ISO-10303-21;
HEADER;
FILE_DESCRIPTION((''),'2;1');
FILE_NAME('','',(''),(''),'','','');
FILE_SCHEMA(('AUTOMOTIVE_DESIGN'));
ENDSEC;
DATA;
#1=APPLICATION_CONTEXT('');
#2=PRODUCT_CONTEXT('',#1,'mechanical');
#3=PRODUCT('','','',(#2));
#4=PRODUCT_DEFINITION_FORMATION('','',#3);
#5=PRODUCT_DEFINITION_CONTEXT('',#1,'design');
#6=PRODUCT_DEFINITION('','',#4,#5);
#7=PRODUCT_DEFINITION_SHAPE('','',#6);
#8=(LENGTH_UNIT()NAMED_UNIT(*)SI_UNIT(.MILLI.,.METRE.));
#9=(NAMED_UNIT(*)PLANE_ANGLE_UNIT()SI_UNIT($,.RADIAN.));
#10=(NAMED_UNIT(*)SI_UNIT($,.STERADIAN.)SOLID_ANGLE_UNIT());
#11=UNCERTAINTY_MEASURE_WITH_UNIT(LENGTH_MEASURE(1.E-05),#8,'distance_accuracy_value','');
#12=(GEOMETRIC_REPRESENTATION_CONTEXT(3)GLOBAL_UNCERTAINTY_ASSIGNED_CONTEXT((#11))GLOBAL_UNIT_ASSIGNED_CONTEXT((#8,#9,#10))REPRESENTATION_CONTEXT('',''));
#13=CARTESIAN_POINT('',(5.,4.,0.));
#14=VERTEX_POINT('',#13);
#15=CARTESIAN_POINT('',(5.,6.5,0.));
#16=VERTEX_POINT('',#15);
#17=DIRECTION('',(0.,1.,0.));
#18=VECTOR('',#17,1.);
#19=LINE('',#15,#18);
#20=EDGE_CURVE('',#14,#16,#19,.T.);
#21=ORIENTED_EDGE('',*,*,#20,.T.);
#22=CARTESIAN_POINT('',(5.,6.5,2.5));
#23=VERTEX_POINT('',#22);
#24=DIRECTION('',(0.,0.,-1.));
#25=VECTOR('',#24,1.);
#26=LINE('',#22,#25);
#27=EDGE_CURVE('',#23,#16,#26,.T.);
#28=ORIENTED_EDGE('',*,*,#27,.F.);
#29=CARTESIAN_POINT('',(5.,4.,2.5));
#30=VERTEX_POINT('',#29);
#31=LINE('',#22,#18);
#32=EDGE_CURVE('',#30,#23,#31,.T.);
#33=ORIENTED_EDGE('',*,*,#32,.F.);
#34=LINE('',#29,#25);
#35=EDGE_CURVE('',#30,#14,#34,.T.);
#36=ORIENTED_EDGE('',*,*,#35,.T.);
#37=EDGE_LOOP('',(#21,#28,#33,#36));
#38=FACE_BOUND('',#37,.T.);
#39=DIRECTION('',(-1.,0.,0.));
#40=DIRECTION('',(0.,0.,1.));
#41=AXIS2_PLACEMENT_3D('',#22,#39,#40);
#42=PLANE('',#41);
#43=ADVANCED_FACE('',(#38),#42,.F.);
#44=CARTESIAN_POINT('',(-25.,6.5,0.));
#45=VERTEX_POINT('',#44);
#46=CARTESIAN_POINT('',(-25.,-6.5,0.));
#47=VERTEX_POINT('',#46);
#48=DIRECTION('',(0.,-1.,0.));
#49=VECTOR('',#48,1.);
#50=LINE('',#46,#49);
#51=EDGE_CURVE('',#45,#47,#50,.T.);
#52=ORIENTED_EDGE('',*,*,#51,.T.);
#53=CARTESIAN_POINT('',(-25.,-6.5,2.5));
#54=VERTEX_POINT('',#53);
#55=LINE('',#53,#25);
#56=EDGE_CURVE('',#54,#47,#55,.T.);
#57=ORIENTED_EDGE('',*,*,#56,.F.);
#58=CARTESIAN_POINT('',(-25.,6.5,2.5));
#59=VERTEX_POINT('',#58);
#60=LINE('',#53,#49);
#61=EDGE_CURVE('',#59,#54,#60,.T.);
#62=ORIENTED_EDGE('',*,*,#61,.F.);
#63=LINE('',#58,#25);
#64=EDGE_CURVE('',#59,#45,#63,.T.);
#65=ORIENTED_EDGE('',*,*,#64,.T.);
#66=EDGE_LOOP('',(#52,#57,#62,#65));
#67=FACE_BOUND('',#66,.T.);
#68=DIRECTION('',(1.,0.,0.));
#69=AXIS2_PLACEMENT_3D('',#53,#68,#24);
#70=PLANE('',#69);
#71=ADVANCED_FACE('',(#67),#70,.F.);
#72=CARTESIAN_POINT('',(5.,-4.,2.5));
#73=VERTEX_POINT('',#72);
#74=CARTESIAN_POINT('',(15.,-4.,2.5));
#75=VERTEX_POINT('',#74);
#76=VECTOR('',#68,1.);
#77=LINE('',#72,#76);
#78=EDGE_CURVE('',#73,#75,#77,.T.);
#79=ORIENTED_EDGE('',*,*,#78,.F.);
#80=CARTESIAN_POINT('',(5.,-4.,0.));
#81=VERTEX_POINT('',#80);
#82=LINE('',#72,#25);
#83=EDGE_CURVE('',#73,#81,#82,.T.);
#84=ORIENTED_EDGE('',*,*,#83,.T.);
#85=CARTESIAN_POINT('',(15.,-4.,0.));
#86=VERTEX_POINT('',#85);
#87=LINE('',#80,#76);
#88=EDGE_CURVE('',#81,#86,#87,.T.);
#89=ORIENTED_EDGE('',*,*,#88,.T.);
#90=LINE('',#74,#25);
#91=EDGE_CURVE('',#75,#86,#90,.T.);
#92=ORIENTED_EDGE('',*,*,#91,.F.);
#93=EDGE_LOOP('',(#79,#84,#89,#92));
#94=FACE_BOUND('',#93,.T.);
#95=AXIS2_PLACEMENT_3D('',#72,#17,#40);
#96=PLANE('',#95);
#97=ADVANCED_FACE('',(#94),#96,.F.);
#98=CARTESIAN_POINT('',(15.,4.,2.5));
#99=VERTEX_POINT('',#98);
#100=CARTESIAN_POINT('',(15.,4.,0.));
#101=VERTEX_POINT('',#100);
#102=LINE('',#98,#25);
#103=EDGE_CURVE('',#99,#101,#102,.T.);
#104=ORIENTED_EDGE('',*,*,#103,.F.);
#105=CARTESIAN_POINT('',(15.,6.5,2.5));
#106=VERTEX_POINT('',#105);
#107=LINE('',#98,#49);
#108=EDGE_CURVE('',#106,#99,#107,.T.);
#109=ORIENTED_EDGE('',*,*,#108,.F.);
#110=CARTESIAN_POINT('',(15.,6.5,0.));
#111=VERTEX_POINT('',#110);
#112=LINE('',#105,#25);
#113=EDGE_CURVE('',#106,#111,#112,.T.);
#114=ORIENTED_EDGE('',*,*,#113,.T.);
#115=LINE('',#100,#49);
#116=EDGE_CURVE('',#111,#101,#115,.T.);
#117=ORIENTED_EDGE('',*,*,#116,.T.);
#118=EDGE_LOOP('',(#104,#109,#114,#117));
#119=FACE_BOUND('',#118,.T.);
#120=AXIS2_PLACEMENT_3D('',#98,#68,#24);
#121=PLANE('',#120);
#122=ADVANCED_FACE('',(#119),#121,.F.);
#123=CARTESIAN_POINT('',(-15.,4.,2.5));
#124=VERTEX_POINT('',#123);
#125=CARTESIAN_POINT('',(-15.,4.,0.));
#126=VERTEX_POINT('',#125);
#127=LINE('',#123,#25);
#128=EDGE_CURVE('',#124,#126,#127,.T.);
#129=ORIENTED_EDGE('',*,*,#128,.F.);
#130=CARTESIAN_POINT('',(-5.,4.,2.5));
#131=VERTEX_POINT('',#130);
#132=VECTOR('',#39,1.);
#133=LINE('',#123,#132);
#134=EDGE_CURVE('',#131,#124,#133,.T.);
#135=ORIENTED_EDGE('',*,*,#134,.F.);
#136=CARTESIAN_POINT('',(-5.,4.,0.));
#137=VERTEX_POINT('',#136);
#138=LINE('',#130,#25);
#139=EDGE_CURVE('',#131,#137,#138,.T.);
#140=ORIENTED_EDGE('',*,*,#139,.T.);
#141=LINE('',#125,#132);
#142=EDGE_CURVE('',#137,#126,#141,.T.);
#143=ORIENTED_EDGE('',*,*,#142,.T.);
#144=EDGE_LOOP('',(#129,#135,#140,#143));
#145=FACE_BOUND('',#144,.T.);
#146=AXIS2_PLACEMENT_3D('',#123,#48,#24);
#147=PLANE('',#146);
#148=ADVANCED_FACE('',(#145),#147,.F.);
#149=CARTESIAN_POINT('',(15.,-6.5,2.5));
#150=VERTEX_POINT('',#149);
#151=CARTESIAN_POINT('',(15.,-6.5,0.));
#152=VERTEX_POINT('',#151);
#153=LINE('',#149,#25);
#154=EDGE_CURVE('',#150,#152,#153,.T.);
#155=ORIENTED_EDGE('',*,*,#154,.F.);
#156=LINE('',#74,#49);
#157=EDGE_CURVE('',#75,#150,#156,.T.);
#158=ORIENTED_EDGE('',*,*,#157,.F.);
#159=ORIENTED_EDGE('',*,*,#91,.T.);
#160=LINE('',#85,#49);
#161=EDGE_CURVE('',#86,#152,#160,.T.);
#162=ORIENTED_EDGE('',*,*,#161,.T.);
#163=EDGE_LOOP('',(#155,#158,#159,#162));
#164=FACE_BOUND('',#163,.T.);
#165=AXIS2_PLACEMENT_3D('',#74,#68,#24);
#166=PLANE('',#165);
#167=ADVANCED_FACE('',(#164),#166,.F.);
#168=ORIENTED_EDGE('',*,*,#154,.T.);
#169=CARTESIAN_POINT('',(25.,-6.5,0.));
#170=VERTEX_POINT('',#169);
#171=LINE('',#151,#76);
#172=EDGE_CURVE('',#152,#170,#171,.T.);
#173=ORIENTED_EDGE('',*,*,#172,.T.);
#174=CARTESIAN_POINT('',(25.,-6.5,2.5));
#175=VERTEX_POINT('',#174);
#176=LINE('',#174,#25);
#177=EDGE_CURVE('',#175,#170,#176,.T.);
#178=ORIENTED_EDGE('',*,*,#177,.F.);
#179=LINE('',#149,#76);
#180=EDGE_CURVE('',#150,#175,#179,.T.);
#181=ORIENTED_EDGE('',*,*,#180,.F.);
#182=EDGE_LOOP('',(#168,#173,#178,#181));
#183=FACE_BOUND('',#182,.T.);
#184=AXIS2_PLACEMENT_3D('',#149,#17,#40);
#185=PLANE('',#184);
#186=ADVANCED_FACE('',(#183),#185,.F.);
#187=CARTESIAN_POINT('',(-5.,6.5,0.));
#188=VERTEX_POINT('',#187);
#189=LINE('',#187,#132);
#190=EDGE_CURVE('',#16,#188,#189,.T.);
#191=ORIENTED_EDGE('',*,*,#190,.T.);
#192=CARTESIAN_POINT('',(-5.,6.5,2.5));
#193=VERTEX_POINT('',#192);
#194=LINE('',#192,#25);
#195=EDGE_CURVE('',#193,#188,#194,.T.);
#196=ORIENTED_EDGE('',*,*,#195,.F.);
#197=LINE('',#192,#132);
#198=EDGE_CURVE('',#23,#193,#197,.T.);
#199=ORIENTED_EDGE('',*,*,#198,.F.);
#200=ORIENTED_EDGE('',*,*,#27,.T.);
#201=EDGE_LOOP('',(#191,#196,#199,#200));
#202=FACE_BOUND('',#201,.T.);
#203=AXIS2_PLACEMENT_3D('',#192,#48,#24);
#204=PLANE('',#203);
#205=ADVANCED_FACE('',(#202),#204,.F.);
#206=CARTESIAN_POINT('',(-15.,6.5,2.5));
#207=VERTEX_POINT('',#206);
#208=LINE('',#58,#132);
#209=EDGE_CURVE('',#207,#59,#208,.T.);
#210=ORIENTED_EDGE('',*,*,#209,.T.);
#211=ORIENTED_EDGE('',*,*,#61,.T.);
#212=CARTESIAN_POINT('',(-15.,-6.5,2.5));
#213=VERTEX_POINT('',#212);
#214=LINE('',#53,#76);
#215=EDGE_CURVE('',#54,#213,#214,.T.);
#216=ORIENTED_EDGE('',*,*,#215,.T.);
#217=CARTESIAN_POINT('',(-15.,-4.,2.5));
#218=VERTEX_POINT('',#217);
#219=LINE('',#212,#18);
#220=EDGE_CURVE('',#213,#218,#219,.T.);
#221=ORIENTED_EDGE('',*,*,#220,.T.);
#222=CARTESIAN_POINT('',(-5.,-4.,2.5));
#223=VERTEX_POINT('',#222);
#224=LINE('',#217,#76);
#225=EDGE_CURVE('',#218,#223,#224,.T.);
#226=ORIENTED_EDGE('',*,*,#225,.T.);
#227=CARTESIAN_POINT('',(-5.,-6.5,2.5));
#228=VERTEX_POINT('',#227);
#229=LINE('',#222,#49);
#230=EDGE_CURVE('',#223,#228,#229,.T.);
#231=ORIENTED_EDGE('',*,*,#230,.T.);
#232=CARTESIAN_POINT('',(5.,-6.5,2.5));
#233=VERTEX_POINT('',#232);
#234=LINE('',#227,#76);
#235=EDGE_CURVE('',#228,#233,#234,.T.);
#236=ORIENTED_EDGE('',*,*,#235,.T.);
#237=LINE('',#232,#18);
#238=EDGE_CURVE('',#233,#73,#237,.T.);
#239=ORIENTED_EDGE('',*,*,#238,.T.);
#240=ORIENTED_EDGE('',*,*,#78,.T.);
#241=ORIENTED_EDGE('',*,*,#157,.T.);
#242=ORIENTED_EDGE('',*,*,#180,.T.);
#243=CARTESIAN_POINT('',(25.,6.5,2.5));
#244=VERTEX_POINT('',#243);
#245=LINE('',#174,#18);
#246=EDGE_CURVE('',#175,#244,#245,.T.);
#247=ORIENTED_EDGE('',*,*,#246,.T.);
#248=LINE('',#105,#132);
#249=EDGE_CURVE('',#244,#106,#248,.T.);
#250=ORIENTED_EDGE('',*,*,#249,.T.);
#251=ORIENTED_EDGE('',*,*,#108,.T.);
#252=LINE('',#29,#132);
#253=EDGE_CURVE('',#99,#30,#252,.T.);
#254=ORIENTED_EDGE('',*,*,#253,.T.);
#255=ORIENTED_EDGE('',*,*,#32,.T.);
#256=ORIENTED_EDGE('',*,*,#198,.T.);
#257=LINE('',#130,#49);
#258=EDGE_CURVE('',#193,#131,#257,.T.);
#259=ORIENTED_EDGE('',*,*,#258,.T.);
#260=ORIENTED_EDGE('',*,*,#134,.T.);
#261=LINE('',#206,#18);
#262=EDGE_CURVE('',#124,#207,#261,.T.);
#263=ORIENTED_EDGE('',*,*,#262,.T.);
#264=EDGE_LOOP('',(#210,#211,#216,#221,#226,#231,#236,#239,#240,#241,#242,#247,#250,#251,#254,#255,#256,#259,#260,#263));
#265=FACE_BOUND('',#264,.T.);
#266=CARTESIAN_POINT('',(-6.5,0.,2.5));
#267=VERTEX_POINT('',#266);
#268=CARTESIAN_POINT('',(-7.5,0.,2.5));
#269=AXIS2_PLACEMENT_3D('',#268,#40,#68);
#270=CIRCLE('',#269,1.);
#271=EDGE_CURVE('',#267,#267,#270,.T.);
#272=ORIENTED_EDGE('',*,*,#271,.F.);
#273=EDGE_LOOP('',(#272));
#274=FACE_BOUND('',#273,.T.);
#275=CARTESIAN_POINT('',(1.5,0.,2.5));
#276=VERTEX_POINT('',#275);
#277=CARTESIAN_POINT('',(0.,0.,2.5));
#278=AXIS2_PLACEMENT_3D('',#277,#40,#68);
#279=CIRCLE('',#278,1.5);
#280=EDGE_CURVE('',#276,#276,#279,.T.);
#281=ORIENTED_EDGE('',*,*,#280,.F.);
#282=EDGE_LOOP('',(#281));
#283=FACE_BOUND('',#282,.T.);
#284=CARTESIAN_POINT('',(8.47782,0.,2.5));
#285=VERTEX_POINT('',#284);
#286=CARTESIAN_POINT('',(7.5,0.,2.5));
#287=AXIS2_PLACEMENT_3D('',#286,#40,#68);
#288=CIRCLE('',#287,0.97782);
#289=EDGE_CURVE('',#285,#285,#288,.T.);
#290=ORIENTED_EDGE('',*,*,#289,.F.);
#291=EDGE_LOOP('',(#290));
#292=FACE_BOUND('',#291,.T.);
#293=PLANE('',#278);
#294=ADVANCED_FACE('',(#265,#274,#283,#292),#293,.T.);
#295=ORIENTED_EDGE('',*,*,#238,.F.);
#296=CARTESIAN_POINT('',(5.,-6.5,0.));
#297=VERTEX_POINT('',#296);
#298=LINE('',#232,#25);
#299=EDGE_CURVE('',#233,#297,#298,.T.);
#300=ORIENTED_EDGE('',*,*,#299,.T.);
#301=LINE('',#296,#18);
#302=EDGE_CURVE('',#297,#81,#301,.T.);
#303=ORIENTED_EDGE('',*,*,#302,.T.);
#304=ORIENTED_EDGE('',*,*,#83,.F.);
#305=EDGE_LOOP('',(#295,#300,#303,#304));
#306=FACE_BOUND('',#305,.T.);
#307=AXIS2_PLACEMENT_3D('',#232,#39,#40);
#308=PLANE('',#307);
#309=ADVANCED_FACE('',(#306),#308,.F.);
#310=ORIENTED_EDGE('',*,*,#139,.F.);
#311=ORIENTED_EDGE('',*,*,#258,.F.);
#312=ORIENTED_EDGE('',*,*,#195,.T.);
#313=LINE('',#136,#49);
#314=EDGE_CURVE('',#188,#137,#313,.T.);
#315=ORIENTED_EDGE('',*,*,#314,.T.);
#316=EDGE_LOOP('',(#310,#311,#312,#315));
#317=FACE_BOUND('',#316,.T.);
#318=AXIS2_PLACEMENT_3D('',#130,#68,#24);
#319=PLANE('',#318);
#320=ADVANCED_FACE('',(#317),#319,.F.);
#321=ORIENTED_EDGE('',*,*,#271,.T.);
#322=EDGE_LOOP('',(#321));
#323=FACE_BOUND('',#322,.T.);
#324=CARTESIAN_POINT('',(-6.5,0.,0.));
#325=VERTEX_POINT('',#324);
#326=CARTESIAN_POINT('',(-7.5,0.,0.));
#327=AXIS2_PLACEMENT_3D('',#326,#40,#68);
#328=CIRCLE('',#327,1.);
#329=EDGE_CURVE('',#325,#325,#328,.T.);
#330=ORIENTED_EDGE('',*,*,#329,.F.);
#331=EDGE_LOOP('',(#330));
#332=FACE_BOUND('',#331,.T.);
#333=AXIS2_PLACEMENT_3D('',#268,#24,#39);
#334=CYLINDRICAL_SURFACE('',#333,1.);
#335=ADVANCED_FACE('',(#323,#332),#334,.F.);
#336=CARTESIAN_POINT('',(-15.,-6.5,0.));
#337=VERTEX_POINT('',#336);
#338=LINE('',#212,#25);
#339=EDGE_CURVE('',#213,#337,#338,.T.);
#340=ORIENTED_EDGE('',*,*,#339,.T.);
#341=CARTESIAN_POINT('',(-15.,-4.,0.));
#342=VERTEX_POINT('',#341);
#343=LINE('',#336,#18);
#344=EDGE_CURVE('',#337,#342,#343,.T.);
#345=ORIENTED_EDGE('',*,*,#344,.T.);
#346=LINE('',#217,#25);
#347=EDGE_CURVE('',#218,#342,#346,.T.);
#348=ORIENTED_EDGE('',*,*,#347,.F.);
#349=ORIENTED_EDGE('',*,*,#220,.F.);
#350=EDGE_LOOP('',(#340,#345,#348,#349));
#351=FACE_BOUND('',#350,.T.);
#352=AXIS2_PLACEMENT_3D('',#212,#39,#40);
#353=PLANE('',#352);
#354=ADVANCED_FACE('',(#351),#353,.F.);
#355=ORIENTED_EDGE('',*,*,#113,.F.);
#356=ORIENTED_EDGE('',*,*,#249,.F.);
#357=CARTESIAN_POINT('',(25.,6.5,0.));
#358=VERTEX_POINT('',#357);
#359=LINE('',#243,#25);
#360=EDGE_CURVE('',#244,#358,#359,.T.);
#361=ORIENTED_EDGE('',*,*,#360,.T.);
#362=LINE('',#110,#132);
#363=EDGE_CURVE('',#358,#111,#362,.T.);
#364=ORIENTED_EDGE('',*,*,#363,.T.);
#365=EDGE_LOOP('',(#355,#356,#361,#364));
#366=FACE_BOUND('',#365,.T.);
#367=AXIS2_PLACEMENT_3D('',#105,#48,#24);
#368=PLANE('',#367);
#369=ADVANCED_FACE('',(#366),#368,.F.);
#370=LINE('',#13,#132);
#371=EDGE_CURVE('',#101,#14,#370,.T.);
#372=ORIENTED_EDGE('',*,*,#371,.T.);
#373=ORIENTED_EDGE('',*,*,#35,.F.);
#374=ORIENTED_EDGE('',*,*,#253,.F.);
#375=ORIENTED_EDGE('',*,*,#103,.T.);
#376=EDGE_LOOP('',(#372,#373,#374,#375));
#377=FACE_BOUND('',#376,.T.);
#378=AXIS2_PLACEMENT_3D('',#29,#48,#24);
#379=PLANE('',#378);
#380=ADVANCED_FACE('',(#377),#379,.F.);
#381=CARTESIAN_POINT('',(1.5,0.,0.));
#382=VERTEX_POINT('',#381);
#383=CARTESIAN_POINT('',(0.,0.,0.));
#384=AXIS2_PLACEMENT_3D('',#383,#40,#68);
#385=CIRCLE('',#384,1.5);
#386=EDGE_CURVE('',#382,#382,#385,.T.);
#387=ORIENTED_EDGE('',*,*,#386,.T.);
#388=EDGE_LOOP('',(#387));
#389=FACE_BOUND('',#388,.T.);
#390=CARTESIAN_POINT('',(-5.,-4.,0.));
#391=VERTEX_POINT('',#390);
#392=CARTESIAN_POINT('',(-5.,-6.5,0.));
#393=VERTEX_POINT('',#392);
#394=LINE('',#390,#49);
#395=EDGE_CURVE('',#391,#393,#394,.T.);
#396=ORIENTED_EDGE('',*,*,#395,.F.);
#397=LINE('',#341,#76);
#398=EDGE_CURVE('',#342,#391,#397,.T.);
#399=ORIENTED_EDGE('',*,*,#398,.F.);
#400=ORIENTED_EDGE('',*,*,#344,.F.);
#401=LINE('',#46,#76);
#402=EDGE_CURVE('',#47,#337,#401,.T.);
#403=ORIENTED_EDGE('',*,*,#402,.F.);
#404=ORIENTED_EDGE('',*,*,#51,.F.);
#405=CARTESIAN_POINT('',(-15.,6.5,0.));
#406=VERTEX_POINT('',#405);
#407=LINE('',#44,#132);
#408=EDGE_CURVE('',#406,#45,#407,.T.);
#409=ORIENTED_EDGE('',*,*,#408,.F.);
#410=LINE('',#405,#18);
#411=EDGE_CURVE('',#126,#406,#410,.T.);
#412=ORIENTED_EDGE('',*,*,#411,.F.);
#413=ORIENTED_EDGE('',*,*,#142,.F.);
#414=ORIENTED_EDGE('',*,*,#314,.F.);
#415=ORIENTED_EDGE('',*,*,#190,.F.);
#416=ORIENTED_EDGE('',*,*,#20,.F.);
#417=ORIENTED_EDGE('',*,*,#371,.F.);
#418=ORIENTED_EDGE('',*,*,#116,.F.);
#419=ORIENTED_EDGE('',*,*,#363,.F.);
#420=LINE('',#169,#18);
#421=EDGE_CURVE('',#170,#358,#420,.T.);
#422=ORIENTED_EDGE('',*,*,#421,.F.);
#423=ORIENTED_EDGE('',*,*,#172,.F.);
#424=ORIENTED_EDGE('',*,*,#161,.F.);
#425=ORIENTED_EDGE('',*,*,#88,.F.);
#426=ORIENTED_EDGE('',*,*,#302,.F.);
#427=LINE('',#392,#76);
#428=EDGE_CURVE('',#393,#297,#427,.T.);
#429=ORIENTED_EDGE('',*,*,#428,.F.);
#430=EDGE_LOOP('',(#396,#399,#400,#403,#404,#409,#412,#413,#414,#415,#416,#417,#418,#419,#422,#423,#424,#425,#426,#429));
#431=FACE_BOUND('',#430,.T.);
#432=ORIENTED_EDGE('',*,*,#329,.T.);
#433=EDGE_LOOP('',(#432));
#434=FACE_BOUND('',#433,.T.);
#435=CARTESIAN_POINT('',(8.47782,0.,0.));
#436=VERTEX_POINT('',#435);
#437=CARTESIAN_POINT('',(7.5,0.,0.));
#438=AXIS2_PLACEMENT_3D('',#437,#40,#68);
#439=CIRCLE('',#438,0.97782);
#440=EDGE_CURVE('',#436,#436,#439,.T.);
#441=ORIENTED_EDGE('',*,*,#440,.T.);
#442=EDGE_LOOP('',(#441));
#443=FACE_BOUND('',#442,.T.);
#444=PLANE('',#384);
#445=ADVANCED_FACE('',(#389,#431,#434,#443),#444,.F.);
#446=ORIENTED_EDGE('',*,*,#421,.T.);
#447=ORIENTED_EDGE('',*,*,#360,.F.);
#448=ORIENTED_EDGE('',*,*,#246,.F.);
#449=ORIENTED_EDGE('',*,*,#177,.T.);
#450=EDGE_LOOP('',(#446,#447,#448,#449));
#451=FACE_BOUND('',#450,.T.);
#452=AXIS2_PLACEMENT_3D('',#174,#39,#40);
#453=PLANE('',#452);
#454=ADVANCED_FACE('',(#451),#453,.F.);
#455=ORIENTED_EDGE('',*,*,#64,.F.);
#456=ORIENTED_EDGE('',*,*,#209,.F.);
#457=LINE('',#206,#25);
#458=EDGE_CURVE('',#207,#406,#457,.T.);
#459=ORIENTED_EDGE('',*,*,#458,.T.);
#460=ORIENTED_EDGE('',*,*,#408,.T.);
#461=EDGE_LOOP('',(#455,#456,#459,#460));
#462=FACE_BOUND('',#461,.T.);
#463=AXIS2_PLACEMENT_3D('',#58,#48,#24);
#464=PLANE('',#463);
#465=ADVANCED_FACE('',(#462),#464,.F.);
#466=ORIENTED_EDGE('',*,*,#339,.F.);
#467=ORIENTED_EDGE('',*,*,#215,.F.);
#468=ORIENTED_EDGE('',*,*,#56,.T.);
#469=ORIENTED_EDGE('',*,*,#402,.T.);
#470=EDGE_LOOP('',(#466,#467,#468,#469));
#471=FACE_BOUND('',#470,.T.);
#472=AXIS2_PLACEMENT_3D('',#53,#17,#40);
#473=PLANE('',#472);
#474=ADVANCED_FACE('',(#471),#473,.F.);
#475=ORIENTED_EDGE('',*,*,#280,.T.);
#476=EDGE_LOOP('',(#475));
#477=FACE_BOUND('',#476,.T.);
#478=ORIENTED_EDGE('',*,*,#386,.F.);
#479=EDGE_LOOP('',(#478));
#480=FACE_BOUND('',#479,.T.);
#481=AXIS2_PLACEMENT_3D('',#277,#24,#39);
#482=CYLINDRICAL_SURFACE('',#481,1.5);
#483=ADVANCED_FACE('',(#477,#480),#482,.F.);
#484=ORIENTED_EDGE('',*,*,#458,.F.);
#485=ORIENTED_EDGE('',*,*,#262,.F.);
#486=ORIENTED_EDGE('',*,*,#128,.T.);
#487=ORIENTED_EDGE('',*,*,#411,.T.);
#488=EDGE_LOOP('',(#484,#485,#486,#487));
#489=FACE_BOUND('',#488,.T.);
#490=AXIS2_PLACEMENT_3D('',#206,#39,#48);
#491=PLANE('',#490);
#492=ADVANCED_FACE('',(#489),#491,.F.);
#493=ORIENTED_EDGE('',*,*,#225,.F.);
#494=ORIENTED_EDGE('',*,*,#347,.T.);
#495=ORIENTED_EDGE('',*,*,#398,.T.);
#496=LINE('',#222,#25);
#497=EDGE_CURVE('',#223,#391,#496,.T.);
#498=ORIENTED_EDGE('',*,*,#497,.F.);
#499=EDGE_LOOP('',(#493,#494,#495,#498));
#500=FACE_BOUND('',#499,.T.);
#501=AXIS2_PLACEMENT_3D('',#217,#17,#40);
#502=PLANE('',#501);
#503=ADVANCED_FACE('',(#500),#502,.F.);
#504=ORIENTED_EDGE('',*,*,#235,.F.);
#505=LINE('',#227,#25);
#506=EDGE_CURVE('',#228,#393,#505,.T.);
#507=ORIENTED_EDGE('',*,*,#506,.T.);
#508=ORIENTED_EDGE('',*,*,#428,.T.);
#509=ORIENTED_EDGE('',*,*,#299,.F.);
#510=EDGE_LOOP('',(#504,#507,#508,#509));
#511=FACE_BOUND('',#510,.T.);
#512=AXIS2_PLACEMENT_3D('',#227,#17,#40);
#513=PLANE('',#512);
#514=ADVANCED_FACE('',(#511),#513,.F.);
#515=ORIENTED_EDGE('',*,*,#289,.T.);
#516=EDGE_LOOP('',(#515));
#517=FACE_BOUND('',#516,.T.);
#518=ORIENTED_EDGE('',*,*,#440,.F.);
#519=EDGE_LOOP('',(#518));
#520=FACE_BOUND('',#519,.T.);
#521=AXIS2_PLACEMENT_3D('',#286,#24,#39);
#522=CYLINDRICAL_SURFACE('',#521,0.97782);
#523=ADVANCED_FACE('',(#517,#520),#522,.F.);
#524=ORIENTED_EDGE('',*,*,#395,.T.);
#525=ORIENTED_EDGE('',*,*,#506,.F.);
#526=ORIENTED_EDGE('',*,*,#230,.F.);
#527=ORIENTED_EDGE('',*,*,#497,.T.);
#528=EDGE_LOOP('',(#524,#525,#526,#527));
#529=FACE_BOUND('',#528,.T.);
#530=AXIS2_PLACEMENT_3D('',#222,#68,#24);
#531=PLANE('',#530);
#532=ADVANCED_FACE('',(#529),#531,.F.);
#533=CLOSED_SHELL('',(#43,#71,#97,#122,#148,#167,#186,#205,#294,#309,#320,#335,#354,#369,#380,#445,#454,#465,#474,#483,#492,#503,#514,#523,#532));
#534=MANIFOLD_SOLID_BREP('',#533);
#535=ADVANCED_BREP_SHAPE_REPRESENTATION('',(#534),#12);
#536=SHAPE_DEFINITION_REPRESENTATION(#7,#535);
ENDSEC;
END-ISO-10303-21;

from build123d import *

# Parameters (mm, degrees)
CROQUIS1_R              = 1.5
CROQUIS1_R_2            = 0.977820283
CROQUIS1_R_3            = 1
SALIENTE_EXTRUIR1_DEPTH = 2.5


with BuildPart() as part:
    # Croquis1 → Saliente-Extruir1 (new body)
    with BuildSketch(Plane.XY):
        Polygon((-25, 6.5), (-15, 6.5), (-15, 4), (-5, 4), (-5, 6.5), (5, 6.5), (5, 4), (15, 4), (15, 6.5), (25, 6.5), (25, -6.5), (15, -6.5), (15, -4), (5, -4), (5, -6.5), (-5, -6.5), (-5, -4), (-15, -4), (-15, -6.5), (-25, -6.5), align=None)
        Circle(CROQUIS1_R, mode=Mode.SUBTRACT)
        with Locations((7.5, 0)):
            Circle(CROQUIS1_R_2, mode=Mode.SUBTRACT)
        with Locations((-7.5, 0)):
            Circle(CROQUIS1_R_3, mode=Mode.SUBTRACT)
    extrude(amount=SALIENTE_EXTRUIR1_DEPTH)


solid = part.part
